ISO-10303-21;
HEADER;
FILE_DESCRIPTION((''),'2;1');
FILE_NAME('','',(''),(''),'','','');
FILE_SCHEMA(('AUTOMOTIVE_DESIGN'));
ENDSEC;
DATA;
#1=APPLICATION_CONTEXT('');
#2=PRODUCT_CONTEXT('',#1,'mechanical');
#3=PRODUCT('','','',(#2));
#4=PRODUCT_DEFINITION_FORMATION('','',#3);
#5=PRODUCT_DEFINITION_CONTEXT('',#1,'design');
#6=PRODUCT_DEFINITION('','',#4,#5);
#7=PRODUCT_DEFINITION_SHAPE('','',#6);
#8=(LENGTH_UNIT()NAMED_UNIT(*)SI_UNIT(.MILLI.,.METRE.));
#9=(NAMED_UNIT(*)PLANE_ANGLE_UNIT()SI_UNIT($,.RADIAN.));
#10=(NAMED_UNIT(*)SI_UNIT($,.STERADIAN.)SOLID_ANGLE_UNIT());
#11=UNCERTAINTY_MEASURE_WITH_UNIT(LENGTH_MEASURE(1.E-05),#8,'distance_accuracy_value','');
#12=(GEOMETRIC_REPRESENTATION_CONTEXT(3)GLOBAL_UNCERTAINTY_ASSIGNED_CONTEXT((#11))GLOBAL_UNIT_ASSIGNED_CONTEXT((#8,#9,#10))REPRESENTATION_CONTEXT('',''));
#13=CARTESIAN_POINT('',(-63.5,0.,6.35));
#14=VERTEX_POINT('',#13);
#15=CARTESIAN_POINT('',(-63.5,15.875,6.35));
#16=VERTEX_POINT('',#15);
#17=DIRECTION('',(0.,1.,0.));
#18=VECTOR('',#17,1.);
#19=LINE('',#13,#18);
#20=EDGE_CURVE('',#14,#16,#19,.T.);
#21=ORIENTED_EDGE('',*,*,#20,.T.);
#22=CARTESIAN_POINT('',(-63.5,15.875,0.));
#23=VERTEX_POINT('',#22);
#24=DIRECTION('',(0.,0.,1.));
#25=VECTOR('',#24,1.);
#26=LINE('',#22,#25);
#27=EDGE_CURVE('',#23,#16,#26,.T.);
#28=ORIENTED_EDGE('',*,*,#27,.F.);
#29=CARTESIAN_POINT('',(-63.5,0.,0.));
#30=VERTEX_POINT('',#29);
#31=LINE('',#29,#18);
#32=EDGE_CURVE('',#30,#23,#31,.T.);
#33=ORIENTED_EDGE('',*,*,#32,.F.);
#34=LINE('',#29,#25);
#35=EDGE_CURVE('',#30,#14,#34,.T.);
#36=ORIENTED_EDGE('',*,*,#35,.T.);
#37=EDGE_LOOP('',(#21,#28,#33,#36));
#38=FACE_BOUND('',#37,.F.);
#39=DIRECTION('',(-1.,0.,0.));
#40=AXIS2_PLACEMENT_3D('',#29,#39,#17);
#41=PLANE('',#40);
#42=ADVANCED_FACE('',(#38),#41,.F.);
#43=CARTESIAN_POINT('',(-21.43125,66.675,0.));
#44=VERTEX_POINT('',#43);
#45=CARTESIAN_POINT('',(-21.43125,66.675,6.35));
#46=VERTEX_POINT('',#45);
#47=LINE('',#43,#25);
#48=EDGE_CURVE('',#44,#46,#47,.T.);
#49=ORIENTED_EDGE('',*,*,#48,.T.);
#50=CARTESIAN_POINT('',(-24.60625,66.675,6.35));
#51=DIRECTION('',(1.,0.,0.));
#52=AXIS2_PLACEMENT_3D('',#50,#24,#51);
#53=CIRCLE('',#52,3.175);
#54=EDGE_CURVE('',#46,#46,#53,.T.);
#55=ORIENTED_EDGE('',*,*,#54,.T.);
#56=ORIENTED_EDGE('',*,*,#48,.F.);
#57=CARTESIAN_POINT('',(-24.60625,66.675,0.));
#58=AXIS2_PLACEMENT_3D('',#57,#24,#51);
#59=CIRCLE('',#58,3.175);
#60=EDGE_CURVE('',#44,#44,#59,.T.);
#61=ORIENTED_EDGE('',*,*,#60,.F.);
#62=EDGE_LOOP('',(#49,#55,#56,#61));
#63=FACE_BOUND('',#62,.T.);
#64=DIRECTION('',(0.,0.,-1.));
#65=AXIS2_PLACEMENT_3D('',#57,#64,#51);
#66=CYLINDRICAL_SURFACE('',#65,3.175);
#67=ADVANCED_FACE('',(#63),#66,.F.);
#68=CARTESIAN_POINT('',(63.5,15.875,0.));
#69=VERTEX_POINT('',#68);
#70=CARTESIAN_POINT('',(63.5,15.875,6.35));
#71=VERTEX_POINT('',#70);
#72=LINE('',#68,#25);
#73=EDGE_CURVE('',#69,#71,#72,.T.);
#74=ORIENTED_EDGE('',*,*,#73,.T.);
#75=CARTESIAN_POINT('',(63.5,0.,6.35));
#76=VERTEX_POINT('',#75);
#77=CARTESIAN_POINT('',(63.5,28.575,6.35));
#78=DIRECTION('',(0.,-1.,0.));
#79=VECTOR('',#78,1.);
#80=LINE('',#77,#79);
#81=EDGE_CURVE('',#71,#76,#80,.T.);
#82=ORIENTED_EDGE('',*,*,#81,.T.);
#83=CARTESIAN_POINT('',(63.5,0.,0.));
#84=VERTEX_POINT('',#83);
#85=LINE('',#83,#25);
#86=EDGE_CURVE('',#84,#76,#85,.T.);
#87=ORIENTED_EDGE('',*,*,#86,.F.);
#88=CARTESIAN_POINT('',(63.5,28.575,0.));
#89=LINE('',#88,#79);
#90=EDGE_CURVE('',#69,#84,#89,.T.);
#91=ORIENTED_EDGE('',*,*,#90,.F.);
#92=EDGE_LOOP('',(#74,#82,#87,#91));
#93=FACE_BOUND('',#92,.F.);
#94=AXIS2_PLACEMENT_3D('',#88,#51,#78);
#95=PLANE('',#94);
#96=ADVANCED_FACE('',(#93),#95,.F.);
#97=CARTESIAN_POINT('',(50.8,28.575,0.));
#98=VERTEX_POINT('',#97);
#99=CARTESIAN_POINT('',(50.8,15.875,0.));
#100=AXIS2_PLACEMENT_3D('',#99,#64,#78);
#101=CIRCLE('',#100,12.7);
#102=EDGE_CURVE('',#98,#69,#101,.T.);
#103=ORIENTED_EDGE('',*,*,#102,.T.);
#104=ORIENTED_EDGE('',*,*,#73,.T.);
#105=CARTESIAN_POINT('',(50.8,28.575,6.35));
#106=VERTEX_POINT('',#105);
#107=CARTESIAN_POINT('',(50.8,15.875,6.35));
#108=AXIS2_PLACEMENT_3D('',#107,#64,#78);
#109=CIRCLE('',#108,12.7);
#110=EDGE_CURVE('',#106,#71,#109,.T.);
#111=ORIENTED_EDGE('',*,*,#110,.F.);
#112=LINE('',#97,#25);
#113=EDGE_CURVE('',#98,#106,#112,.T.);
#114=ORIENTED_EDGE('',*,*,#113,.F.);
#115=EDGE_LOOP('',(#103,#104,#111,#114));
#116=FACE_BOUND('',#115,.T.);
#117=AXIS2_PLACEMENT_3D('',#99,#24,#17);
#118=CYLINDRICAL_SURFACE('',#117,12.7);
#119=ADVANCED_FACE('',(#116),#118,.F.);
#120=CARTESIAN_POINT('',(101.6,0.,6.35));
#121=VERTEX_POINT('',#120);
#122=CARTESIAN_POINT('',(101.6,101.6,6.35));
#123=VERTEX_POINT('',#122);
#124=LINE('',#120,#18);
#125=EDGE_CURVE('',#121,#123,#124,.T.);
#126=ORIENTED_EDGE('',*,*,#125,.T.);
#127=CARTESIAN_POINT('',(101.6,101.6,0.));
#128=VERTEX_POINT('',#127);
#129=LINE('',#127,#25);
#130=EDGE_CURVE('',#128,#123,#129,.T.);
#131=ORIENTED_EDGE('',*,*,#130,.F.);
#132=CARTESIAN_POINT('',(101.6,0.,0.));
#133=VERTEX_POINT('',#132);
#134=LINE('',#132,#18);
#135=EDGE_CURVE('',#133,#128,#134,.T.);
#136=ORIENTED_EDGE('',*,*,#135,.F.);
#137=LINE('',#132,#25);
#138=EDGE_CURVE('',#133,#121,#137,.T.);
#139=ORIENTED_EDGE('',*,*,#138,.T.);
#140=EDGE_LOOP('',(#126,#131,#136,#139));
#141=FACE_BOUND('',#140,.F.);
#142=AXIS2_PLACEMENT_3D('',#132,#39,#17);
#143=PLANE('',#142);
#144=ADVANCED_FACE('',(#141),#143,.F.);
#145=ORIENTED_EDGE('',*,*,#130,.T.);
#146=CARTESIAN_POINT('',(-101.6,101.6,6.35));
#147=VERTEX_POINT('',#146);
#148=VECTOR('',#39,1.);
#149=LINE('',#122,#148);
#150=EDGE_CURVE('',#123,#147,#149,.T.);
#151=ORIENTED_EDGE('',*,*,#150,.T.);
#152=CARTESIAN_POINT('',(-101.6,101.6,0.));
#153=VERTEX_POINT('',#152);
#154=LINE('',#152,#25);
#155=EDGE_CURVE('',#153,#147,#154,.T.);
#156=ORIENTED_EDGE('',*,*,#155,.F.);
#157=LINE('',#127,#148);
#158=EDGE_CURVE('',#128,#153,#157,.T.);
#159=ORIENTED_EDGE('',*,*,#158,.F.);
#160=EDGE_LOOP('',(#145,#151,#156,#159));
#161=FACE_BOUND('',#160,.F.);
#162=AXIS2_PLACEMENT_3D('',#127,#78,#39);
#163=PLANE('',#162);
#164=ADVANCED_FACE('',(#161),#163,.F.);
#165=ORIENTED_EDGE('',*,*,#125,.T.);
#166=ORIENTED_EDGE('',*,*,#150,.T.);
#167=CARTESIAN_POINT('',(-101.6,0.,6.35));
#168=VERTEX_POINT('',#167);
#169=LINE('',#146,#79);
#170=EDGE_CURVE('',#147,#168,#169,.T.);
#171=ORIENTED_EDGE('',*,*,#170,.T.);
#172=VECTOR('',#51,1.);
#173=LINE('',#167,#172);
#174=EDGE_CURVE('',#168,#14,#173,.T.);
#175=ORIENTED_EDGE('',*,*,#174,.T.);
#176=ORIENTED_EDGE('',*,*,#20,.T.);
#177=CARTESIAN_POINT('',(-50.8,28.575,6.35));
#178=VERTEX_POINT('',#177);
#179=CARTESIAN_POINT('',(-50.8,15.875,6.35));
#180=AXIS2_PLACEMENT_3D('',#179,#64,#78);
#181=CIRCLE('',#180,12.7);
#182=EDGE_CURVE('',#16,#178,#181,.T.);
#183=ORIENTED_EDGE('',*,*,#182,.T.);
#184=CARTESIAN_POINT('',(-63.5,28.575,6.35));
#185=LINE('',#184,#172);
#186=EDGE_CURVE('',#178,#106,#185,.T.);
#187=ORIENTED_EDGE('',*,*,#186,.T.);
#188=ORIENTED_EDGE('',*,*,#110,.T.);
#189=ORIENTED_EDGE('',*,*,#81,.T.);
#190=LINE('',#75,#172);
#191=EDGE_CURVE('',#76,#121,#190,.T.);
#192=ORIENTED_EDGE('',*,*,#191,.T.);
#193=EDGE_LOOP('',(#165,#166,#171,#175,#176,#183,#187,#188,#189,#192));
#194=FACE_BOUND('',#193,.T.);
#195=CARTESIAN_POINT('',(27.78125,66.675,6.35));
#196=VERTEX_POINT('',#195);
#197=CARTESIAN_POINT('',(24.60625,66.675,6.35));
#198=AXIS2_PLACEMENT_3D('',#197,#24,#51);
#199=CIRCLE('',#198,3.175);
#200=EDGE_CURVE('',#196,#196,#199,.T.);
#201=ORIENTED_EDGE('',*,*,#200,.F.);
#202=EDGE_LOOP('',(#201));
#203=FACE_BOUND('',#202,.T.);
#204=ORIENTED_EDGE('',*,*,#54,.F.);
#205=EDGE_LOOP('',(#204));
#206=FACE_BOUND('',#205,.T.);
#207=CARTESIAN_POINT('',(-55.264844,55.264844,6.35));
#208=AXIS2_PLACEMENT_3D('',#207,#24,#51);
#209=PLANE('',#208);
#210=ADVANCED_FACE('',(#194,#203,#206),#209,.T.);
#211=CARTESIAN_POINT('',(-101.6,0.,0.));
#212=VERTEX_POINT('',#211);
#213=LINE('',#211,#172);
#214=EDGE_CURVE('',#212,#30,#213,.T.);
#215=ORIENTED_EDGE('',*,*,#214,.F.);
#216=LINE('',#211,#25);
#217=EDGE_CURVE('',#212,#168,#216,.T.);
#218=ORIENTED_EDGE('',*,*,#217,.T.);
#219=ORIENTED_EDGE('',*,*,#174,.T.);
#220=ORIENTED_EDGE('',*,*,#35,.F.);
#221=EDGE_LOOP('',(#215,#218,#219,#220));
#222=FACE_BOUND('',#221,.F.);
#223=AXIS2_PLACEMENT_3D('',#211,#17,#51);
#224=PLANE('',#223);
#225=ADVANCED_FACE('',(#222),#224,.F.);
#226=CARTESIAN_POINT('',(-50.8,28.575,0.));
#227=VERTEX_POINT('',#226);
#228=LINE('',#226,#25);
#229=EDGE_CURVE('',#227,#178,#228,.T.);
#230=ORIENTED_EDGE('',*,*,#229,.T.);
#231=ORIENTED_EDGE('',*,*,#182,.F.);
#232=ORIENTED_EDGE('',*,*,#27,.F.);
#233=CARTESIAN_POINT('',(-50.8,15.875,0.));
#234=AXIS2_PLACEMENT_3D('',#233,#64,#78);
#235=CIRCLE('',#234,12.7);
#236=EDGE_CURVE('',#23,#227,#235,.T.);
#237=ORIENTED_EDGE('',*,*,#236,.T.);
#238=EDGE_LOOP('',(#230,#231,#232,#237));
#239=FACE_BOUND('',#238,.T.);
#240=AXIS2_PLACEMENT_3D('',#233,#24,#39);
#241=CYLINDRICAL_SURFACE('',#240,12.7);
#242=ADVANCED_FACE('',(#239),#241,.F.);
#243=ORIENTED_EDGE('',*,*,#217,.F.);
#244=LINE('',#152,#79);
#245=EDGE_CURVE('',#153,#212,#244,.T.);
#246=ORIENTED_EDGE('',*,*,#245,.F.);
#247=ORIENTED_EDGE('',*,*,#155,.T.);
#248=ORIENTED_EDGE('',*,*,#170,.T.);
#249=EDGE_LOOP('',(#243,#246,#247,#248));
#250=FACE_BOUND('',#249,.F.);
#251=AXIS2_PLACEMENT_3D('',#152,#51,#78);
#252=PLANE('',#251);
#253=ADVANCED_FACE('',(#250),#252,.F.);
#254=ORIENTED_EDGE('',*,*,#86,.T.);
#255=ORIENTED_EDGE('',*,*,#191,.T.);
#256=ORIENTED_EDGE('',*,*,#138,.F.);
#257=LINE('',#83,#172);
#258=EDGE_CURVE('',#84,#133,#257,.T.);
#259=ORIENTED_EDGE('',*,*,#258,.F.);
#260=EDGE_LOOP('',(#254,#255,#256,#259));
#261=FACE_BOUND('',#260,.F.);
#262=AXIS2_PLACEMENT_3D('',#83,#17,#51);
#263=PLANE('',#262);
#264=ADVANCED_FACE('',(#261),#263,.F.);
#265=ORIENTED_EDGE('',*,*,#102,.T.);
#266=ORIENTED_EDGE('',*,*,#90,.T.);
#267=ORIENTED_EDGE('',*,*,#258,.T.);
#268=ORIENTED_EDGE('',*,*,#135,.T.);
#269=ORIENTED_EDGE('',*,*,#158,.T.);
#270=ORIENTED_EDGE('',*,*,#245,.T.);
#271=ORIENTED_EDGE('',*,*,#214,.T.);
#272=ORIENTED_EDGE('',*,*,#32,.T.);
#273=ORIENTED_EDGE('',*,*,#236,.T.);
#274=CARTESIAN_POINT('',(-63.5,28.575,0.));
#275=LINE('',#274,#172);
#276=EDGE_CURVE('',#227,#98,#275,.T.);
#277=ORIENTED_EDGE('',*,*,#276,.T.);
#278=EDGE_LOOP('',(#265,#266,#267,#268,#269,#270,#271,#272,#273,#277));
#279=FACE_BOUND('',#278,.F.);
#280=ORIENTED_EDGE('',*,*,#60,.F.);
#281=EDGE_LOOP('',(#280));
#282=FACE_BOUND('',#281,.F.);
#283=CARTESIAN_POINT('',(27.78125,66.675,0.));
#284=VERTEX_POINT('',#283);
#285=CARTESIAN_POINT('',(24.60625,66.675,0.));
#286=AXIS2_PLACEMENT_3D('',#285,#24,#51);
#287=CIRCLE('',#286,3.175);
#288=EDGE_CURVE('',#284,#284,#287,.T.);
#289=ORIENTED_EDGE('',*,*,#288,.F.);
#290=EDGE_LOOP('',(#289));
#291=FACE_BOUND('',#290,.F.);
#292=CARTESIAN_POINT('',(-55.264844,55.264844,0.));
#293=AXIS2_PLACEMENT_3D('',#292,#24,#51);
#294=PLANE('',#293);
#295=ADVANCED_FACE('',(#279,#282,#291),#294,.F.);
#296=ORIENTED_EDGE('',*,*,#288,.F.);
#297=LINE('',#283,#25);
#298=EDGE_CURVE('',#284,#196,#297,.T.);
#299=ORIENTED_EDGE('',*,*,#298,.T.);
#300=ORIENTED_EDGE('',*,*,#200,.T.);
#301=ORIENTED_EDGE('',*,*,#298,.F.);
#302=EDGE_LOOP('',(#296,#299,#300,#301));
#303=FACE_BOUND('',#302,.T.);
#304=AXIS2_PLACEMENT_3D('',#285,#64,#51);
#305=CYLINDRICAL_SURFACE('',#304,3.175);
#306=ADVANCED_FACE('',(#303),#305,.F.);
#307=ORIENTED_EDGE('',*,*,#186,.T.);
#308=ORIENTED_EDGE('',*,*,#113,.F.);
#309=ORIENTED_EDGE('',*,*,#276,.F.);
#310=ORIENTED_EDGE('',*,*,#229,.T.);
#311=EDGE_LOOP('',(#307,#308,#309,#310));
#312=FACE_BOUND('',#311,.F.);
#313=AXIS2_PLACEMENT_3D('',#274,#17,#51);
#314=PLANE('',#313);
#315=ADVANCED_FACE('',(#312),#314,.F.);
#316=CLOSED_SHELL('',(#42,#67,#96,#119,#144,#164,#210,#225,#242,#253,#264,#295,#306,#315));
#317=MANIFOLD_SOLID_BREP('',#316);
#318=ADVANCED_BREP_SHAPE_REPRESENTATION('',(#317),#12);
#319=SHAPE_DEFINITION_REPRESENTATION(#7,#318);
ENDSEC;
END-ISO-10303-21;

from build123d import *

# Parameters (mm, degrees)
F0_R     = 3.175
F1_DEPTH = 6.35
F2_R     = 12.7


with BuildPart() as f1:
    # F0 (on Top) → F1 (new body)
    with BuildSketch(Plane.XY):
        Polygon((0, 101.6), (-101.6, 101.6), (-101.6, 0), (-63.5, 0), (-63.5, 28.575), (0, 28.575), align=None)
        with Locations((-24.60625, 66.675)):
            Circle(F0_R, mode=Mode.SUBTRACT)
        Polygon((101.6, 101.6), (0, 101.6), (0, 28.575), (63.5, 28.575), (63.5, 0), (101.6, 0), align=None)
        with Locations((24.60625, 66.675)):
            Circle(F0_R, mode=Mode.SUBTRACT)
    extrude(amount=F1_DEPTH)

    # F2
    f2_edges = [f1.edges().sort_by_distance(p)[0] for p in [
        (-63.5, 28.575, 3.175),
        (63.5, 28.575, 3.175),
    ]]
    fillet(f2_edges, radius=F2_R)


solid = f1.part
